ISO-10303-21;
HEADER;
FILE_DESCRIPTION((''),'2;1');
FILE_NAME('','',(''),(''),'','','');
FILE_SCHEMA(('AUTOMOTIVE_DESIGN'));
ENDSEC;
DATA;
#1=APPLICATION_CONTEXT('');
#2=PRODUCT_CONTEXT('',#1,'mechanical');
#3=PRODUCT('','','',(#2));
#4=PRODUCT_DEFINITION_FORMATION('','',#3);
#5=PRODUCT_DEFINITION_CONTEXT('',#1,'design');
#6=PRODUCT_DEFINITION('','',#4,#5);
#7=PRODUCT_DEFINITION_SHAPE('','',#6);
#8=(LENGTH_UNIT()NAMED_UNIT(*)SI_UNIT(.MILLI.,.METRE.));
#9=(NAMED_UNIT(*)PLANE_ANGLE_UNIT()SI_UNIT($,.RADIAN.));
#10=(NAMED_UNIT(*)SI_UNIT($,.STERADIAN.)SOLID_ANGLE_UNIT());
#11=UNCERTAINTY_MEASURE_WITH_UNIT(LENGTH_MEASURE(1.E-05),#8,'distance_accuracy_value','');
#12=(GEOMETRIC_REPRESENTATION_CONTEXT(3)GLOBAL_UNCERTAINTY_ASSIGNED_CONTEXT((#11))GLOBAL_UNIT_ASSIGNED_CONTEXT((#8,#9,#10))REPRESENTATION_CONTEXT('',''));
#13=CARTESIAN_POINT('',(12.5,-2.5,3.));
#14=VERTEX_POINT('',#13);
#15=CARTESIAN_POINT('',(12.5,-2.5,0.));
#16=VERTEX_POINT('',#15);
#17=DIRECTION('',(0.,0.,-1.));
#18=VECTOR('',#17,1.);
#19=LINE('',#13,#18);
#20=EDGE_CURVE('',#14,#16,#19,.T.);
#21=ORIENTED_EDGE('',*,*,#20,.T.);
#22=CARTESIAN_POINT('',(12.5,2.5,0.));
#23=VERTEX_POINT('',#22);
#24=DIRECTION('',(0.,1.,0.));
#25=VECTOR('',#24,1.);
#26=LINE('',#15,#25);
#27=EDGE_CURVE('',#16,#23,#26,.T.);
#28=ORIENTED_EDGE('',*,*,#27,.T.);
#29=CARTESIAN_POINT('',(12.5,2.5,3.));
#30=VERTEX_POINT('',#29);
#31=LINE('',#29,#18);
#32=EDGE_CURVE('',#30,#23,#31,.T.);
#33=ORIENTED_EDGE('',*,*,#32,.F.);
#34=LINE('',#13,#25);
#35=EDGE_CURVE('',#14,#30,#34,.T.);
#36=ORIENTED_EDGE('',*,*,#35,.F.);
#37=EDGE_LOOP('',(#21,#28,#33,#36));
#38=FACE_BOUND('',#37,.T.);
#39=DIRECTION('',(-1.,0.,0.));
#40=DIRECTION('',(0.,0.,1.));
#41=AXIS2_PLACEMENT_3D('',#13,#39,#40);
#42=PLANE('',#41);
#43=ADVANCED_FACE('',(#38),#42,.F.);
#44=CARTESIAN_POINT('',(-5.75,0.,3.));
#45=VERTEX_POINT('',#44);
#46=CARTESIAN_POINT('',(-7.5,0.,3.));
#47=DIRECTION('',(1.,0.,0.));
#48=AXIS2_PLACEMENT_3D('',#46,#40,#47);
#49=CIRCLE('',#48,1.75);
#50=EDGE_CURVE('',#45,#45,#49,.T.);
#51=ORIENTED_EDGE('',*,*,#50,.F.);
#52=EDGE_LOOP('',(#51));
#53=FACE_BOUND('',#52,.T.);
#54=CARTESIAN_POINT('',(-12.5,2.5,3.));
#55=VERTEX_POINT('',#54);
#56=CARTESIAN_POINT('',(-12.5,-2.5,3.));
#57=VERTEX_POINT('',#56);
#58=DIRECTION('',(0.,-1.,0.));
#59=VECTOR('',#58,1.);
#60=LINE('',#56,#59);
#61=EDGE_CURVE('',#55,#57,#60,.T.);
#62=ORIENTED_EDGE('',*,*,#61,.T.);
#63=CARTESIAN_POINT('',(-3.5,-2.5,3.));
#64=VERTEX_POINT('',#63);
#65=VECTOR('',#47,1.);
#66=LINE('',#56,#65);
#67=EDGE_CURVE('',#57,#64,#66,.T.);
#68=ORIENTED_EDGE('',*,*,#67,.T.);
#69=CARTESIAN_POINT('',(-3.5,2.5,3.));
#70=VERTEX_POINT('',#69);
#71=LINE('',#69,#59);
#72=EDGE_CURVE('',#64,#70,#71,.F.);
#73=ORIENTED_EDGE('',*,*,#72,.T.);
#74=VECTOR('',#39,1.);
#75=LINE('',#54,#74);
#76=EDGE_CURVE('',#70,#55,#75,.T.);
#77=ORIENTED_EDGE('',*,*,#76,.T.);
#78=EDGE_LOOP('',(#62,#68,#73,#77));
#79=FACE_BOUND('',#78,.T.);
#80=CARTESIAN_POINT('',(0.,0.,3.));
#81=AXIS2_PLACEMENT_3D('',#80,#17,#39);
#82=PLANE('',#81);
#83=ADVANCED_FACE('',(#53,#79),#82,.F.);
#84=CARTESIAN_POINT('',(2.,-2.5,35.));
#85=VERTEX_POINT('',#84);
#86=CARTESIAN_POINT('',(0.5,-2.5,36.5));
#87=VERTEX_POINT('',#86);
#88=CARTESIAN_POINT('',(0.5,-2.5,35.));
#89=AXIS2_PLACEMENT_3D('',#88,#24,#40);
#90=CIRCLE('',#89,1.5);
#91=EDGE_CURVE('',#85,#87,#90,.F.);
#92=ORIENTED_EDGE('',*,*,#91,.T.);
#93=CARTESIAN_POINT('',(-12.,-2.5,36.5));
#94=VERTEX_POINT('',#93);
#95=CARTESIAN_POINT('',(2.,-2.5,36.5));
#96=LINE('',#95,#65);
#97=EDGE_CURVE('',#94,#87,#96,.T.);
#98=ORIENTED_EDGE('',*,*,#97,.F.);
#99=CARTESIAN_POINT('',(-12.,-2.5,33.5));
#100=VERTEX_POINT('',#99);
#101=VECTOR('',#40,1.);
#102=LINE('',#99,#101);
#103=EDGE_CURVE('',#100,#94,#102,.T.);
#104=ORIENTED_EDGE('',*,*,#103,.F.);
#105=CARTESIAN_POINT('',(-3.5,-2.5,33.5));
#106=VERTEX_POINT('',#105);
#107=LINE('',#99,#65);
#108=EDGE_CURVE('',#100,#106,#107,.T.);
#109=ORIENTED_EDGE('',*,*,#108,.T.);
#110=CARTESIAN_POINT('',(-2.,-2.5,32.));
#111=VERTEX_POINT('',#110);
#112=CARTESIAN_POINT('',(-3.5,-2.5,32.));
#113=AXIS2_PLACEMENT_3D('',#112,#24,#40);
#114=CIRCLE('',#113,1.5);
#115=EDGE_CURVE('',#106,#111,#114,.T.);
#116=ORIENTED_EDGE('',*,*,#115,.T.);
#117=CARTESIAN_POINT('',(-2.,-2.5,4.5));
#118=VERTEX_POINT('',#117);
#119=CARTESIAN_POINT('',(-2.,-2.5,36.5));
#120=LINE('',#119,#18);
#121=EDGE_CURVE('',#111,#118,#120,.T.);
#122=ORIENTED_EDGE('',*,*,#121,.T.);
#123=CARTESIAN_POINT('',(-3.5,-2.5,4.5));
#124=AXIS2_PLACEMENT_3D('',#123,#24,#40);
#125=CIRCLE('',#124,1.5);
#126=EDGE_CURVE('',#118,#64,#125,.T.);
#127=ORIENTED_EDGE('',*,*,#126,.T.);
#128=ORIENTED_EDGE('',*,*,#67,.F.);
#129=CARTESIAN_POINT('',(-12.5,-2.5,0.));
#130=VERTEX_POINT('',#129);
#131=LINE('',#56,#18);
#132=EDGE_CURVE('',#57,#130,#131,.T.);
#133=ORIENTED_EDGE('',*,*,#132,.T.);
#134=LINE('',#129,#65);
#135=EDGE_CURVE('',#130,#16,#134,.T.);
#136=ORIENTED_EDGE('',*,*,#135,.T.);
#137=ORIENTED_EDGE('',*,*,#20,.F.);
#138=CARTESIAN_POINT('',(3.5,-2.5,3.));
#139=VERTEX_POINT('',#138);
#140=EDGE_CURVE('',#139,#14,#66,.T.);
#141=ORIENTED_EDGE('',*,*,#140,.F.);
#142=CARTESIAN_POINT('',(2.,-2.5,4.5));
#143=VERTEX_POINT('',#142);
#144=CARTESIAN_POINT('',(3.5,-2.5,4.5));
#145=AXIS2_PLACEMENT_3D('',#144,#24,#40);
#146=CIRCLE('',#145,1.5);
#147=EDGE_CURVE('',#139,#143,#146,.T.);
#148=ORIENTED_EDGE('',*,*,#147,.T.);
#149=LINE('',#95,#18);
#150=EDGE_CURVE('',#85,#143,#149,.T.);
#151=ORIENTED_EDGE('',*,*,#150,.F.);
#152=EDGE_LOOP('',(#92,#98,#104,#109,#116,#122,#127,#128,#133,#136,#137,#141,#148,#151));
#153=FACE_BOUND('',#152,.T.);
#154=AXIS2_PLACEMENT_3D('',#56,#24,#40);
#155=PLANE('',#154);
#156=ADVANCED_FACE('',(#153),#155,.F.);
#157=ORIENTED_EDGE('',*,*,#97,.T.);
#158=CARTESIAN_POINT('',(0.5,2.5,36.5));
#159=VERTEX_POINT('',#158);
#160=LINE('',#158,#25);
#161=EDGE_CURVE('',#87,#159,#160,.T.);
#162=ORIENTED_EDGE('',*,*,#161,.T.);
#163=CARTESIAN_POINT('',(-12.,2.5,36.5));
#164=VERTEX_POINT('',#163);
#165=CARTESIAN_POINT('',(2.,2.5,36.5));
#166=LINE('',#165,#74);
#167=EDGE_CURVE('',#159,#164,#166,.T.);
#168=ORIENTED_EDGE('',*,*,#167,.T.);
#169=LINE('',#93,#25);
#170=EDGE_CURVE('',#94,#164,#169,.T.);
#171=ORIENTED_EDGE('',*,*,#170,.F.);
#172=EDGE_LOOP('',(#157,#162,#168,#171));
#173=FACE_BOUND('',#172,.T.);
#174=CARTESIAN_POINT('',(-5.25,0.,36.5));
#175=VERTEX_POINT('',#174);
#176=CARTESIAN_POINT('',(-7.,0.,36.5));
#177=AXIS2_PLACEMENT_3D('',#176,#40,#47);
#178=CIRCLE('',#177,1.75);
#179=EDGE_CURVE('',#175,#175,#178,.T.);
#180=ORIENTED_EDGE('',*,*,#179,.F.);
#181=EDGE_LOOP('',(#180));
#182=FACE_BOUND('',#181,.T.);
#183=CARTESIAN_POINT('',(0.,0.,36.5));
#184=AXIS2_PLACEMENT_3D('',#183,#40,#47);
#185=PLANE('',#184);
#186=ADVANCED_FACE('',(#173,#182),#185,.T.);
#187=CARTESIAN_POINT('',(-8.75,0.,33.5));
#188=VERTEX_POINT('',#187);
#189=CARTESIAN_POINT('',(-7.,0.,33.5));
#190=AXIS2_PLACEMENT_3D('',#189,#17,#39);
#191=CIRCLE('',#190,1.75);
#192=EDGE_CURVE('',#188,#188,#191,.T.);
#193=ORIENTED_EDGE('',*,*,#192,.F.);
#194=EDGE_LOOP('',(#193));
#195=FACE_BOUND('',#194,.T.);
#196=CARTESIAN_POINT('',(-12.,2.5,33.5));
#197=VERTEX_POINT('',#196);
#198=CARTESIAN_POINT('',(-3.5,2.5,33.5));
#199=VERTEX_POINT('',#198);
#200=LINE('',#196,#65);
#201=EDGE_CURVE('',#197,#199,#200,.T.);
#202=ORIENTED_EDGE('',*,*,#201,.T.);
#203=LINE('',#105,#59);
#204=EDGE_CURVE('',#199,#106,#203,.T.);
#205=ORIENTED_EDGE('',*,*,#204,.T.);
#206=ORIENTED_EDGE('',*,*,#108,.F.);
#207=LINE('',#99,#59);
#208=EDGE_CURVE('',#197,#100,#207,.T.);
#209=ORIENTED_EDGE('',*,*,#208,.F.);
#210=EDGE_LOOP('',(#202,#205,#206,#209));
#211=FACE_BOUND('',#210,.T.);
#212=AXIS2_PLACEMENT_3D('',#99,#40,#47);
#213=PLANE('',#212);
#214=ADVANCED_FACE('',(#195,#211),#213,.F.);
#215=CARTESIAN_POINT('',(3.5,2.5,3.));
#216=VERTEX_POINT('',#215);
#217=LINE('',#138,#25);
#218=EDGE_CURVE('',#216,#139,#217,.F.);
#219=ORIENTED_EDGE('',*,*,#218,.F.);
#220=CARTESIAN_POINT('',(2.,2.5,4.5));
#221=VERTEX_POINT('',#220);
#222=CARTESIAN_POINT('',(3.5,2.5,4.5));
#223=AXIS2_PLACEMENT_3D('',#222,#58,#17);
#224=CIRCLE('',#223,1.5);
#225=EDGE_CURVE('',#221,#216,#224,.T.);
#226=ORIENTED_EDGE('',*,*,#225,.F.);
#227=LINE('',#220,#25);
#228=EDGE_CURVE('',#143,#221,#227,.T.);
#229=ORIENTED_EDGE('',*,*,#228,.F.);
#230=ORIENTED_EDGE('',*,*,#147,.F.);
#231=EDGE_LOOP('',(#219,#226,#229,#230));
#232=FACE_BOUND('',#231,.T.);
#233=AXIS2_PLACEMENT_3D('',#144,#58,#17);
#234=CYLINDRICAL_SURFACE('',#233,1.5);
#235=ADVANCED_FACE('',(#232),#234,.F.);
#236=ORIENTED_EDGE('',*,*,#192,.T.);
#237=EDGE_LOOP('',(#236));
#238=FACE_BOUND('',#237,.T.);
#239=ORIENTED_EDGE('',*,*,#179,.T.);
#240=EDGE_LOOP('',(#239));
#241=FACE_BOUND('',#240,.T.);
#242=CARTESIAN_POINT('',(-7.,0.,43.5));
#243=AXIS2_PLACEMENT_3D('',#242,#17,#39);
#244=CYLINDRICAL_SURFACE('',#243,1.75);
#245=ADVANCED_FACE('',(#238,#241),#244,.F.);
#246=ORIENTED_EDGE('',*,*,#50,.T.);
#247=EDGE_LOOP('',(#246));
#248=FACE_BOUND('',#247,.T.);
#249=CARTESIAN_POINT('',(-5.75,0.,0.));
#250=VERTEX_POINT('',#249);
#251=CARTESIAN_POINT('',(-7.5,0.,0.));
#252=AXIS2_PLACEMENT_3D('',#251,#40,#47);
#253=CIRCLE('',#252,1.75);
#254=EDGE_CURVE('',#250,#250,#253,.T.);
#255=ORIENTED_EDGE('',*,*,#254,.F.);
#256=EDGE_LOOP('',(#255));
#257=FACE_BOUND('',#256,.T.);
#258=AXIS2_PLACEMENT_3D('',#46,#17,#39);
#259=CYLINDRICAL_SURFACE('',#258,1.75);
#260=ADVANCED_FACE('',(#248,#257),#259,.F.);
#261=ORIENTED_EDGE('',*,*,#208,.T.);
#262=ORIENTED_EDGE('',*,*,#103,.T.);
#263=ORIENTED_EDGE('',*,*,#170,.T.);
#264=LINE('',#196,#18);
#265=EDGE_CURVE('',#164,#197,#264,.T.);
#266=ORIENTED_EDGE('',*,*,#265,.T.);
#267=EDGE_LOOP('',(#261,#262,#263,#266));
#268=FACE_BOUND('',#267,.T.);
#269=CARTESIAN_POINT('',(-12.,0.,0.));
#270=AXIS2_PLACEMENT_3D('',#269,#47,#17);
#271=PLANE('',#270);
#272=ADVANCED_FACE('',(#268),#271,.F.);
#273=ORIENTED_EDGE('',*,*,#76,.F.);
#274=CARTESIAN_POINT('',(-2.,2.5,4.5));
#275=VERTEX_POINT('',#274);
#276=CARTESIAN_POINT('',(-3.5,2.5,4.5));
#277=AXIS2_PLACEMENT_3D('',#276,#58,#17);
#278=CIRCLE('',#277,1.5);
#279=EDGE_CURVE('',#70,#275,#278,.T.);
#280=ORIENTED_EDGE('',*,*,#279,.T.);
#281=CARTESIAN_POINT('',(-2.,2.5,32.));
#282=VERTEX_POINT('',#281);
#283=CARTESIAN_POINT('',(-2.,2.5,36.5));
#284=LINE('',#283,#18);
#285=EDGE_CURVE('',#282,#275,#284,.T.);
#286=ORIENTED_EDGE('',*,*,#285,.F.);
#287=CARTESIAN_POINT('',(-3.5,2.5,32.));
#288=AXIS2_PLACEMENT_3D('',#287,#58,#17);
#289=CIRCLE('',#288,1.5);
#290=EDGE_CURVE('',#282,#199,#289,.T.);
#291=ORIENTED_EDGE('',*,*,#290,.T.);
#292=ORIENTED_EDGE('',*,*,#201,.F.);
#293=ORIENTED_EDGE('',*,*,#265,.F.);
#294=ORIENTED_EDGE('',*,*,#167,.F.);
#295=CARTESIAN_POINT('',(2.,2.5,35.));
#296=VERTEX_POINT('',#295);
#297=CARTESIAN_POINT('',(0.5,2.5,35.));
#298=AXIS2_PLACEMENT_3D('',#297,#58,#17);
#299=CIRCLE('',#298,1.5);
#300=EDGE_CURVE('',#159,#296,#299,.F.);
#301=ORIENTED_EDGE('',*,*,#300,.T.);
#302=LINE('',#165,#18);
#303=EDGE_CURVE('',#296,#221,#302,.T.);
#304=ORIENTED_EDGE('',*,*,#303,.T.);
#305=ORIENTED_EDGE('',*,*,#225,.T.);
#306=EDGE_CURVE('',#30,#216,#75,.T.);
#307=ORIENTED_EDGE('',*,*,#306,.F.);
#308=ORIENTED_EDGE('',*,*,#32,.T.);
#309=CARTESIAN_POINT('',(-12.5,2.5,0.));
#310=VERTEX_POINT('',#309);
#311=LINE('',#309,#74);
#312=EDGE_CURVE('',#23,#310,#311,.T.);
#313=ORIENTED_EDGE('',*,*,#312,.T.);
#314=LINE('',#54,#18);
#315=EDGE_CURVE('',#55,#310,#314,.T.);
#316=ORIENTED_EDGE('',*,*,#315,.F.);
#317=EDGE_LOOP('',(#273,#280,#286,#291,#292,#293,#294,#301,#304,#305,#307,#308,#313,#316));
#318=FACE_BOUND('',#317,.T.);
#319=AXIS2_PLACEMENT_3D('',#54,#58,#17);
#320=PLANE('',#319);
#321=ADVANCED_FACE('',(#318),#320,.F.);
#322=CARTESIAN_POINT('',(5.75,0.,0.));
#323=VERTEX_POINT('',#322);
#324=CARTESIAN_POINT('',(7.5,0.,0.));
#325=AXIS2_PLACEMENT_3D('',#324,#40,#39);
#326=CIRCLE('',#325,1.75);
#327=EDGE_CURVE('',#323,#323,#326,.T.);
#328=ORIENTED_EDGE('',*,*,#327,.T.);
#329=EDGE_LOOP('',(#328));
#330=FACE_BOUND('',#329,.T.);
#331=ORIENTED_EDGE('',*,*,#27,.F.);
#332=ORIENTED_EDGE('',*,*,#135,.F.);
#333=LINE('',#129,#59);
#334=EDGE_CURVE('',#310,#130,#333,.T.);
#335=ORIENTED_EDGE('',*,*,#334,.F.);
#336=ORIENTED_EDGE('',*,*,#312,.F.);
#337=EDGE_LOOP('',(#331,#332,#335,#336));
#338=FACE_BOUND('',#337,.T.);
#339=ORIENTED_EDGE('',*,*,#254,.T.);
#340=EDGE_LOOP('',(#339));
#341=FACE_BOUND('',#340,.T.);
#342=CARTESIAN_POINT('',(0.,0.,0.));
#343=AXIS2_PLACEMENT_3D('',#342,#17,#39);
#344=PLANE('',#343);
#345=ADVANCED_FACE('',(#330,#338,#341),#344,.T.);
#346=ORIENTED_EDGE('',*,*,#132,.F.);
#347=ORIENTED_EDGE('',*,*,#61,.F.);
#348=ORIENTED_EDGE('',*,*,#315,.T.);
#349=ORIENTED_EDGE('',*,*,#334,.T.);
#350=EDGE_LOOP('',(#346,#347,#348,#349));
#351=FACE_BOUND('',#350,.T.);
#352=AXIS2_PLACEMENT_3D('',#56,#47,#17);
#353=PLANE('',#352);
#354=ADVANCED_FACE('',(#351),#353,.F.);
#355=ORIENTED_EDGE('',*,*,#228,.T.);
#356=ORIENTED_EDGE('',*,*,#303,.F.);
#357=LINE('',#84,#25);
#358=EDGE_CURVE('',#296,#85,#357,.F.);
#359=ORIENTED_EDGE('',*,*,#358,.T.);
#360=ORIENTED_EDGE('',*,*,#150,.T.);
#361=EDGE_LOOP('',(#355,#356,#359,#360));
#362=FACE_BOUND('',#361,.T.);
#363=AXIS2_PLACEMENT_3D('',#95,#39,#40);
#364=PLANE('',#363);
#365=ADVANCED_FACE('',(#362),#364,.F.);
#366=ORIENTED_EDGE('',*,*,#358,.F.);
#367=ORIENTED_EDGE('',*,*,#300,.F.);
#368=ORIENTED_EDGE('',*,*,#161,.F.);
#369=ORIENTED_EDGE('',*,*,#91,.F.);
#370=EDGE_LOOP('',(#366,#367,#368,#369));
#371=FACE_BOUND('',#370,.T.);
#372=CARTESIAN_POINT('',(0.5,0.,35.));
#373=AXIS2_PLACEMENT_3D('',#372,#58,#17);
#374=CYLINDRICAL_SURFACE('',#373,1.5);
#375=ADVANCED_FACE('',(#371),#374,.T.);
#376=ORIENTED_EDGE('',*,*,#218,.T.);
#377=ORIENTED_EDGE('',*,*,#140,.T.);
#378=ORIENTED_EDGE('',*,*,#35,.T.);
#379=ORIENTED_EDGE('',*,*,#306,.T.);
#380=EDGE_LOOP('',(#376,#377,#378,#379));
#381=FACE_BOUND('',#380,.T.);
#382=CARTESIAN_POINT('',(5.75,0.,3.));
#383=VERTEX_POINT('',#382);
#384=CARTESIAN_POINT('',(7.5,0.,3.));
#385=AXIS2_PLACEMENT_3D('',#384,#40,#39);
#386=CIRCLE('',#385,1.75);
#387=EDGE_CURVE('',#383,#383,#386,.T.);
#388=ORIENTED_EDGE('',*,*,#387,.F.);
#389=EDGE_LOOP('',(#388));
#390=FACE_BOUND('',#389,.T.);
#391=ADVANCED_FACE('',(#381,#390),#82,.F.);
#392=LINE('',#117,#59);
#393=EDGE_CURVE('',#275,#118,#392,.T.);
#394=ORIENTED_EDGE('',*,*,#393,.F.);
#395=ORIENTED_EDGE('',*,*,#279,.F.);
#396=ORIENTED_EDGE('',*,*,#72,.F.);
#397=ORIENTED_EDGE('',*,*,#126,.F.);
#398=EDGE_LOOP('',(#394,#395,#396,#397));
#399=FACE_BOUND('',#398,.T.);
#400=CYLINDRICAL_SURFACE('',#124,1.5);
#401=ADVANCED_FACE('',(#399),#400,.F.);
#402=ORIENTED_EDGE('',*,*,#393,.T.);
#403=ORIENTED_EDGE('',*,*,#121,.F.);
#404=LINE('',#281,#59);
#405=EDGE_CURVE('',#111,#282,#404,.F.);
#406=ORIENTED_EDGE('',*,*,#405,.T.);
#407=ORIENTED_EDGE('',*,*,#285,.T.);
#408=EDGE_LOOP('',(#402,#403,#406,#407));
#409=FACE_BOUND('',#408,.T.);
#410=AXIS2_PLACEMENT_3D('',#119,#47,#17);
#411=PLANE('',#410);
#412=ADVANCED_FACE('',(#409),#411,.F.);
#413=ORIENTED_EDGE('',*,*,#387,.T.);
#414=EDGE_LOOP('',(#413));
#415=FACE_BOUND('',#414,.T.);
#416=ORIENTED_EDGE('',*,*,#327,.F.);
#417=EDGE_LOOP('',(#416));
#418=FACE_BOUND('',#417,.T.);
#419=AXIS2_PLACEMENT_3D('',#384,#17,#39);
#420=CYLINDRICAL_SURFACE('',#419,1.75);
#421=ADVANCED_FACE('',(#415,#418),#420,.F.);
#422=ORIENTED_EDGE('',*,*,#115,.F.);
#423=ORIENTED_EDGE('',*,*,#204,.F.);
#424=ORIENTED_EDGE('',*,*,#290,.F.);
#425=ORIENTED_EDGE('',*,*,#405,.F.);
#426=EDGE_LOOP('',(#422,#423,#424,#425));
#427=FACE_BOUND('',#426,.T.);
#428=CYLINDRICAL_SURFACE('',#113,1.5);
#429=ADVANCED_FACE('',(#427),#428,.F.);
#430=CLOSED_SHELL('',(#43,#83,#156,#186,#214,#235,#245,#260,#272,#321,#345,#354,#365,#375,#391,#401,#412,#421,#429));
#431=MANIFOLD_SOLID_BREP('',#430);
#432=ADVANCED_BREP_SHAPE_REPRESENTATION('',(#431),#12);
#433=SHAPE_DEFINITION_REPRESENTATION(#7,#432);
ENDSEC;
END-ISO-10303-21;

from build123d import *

# Parameters (mm, degrees)
SKETCH1_W           = 25
SKETCH1_H           = 5
SKETCH1_R           = 1.75
BOSS_EXTRUDE1_DEPTH = 3
SKETCH2_W           = 4
SKETCH2_H           = 5
BOSS_EXTRUDE2_DEPTH = 33.5
SKETCH3_W           = 3
SKETCH3_H           = 5
BOSS_EXTRUDE3_DEPTH = 10
SKETCH4_R           = 1.75
CUT_EXTRUDE1_DEPTH  = 10
FILLET1_R           = 1.5


with BuildPart() as part:
    # Sketch1 → Boss-Extrude1 (new body)
    with BuildSketch(Plane.XY):
        Rectangle(SKETCH1_W, SKETCH1_H)
        with Locations((-7.5, 0)):
            Circle(SKETCH1_R, mode=Mode.SUBTRACT)
        with Locations(Location((7.5, 0, 0), (0, 0, 180))):
            Circle(SKETCH1_R, mode=Mode.SUBTRACT)
    extrude(amount=BOSS_EXTRUDE1_DEPTH)

    # Sketch2 → Boss-Extrude2 (add)
    with BuildSketch(Plane.XY.offset(3)):
        Rectangle(SKETCH2_W, SKETCH2_H)
    extrude(amount=BOSS_EXTRUDE2_DEPTH)

    # Sketch3 → Boss-Extrude3 (add)
    with BuildSketch(Plane.ZY.offset(2)):
        with Locations((35, 0)):
            Rectangle(SKETCH3_W, SKETCH3_H)
    extrude(amount=BOSS_EXTRUDE3_DEPTH)

    # Sketch4 → Cut-Extrude1 (cut)
    with BuildSketch(Plane(origin=(0, 0, 33.5), x_dir=(-1, 0, 0), z_dir=(0, 0, -1))):
        with Locations((7, 0)):
            Circle(SKETCH4_R)
    extrude(amount=-CUT_EXTRUDE1_DEPTH, mode=Mode.SUBTRACT)

    # Fillet1
    fillet1_edges = [part.edges().sort_by_distance(p)[0] for p in [
        (-2, 0, 3),
        (2, 0, 3),
        (2, 0, 36.5),
        (-2, 0, 33.5),
    ]]
    fillet(fillet1_edges, radius=FILLET1_R)


solid = part.part
